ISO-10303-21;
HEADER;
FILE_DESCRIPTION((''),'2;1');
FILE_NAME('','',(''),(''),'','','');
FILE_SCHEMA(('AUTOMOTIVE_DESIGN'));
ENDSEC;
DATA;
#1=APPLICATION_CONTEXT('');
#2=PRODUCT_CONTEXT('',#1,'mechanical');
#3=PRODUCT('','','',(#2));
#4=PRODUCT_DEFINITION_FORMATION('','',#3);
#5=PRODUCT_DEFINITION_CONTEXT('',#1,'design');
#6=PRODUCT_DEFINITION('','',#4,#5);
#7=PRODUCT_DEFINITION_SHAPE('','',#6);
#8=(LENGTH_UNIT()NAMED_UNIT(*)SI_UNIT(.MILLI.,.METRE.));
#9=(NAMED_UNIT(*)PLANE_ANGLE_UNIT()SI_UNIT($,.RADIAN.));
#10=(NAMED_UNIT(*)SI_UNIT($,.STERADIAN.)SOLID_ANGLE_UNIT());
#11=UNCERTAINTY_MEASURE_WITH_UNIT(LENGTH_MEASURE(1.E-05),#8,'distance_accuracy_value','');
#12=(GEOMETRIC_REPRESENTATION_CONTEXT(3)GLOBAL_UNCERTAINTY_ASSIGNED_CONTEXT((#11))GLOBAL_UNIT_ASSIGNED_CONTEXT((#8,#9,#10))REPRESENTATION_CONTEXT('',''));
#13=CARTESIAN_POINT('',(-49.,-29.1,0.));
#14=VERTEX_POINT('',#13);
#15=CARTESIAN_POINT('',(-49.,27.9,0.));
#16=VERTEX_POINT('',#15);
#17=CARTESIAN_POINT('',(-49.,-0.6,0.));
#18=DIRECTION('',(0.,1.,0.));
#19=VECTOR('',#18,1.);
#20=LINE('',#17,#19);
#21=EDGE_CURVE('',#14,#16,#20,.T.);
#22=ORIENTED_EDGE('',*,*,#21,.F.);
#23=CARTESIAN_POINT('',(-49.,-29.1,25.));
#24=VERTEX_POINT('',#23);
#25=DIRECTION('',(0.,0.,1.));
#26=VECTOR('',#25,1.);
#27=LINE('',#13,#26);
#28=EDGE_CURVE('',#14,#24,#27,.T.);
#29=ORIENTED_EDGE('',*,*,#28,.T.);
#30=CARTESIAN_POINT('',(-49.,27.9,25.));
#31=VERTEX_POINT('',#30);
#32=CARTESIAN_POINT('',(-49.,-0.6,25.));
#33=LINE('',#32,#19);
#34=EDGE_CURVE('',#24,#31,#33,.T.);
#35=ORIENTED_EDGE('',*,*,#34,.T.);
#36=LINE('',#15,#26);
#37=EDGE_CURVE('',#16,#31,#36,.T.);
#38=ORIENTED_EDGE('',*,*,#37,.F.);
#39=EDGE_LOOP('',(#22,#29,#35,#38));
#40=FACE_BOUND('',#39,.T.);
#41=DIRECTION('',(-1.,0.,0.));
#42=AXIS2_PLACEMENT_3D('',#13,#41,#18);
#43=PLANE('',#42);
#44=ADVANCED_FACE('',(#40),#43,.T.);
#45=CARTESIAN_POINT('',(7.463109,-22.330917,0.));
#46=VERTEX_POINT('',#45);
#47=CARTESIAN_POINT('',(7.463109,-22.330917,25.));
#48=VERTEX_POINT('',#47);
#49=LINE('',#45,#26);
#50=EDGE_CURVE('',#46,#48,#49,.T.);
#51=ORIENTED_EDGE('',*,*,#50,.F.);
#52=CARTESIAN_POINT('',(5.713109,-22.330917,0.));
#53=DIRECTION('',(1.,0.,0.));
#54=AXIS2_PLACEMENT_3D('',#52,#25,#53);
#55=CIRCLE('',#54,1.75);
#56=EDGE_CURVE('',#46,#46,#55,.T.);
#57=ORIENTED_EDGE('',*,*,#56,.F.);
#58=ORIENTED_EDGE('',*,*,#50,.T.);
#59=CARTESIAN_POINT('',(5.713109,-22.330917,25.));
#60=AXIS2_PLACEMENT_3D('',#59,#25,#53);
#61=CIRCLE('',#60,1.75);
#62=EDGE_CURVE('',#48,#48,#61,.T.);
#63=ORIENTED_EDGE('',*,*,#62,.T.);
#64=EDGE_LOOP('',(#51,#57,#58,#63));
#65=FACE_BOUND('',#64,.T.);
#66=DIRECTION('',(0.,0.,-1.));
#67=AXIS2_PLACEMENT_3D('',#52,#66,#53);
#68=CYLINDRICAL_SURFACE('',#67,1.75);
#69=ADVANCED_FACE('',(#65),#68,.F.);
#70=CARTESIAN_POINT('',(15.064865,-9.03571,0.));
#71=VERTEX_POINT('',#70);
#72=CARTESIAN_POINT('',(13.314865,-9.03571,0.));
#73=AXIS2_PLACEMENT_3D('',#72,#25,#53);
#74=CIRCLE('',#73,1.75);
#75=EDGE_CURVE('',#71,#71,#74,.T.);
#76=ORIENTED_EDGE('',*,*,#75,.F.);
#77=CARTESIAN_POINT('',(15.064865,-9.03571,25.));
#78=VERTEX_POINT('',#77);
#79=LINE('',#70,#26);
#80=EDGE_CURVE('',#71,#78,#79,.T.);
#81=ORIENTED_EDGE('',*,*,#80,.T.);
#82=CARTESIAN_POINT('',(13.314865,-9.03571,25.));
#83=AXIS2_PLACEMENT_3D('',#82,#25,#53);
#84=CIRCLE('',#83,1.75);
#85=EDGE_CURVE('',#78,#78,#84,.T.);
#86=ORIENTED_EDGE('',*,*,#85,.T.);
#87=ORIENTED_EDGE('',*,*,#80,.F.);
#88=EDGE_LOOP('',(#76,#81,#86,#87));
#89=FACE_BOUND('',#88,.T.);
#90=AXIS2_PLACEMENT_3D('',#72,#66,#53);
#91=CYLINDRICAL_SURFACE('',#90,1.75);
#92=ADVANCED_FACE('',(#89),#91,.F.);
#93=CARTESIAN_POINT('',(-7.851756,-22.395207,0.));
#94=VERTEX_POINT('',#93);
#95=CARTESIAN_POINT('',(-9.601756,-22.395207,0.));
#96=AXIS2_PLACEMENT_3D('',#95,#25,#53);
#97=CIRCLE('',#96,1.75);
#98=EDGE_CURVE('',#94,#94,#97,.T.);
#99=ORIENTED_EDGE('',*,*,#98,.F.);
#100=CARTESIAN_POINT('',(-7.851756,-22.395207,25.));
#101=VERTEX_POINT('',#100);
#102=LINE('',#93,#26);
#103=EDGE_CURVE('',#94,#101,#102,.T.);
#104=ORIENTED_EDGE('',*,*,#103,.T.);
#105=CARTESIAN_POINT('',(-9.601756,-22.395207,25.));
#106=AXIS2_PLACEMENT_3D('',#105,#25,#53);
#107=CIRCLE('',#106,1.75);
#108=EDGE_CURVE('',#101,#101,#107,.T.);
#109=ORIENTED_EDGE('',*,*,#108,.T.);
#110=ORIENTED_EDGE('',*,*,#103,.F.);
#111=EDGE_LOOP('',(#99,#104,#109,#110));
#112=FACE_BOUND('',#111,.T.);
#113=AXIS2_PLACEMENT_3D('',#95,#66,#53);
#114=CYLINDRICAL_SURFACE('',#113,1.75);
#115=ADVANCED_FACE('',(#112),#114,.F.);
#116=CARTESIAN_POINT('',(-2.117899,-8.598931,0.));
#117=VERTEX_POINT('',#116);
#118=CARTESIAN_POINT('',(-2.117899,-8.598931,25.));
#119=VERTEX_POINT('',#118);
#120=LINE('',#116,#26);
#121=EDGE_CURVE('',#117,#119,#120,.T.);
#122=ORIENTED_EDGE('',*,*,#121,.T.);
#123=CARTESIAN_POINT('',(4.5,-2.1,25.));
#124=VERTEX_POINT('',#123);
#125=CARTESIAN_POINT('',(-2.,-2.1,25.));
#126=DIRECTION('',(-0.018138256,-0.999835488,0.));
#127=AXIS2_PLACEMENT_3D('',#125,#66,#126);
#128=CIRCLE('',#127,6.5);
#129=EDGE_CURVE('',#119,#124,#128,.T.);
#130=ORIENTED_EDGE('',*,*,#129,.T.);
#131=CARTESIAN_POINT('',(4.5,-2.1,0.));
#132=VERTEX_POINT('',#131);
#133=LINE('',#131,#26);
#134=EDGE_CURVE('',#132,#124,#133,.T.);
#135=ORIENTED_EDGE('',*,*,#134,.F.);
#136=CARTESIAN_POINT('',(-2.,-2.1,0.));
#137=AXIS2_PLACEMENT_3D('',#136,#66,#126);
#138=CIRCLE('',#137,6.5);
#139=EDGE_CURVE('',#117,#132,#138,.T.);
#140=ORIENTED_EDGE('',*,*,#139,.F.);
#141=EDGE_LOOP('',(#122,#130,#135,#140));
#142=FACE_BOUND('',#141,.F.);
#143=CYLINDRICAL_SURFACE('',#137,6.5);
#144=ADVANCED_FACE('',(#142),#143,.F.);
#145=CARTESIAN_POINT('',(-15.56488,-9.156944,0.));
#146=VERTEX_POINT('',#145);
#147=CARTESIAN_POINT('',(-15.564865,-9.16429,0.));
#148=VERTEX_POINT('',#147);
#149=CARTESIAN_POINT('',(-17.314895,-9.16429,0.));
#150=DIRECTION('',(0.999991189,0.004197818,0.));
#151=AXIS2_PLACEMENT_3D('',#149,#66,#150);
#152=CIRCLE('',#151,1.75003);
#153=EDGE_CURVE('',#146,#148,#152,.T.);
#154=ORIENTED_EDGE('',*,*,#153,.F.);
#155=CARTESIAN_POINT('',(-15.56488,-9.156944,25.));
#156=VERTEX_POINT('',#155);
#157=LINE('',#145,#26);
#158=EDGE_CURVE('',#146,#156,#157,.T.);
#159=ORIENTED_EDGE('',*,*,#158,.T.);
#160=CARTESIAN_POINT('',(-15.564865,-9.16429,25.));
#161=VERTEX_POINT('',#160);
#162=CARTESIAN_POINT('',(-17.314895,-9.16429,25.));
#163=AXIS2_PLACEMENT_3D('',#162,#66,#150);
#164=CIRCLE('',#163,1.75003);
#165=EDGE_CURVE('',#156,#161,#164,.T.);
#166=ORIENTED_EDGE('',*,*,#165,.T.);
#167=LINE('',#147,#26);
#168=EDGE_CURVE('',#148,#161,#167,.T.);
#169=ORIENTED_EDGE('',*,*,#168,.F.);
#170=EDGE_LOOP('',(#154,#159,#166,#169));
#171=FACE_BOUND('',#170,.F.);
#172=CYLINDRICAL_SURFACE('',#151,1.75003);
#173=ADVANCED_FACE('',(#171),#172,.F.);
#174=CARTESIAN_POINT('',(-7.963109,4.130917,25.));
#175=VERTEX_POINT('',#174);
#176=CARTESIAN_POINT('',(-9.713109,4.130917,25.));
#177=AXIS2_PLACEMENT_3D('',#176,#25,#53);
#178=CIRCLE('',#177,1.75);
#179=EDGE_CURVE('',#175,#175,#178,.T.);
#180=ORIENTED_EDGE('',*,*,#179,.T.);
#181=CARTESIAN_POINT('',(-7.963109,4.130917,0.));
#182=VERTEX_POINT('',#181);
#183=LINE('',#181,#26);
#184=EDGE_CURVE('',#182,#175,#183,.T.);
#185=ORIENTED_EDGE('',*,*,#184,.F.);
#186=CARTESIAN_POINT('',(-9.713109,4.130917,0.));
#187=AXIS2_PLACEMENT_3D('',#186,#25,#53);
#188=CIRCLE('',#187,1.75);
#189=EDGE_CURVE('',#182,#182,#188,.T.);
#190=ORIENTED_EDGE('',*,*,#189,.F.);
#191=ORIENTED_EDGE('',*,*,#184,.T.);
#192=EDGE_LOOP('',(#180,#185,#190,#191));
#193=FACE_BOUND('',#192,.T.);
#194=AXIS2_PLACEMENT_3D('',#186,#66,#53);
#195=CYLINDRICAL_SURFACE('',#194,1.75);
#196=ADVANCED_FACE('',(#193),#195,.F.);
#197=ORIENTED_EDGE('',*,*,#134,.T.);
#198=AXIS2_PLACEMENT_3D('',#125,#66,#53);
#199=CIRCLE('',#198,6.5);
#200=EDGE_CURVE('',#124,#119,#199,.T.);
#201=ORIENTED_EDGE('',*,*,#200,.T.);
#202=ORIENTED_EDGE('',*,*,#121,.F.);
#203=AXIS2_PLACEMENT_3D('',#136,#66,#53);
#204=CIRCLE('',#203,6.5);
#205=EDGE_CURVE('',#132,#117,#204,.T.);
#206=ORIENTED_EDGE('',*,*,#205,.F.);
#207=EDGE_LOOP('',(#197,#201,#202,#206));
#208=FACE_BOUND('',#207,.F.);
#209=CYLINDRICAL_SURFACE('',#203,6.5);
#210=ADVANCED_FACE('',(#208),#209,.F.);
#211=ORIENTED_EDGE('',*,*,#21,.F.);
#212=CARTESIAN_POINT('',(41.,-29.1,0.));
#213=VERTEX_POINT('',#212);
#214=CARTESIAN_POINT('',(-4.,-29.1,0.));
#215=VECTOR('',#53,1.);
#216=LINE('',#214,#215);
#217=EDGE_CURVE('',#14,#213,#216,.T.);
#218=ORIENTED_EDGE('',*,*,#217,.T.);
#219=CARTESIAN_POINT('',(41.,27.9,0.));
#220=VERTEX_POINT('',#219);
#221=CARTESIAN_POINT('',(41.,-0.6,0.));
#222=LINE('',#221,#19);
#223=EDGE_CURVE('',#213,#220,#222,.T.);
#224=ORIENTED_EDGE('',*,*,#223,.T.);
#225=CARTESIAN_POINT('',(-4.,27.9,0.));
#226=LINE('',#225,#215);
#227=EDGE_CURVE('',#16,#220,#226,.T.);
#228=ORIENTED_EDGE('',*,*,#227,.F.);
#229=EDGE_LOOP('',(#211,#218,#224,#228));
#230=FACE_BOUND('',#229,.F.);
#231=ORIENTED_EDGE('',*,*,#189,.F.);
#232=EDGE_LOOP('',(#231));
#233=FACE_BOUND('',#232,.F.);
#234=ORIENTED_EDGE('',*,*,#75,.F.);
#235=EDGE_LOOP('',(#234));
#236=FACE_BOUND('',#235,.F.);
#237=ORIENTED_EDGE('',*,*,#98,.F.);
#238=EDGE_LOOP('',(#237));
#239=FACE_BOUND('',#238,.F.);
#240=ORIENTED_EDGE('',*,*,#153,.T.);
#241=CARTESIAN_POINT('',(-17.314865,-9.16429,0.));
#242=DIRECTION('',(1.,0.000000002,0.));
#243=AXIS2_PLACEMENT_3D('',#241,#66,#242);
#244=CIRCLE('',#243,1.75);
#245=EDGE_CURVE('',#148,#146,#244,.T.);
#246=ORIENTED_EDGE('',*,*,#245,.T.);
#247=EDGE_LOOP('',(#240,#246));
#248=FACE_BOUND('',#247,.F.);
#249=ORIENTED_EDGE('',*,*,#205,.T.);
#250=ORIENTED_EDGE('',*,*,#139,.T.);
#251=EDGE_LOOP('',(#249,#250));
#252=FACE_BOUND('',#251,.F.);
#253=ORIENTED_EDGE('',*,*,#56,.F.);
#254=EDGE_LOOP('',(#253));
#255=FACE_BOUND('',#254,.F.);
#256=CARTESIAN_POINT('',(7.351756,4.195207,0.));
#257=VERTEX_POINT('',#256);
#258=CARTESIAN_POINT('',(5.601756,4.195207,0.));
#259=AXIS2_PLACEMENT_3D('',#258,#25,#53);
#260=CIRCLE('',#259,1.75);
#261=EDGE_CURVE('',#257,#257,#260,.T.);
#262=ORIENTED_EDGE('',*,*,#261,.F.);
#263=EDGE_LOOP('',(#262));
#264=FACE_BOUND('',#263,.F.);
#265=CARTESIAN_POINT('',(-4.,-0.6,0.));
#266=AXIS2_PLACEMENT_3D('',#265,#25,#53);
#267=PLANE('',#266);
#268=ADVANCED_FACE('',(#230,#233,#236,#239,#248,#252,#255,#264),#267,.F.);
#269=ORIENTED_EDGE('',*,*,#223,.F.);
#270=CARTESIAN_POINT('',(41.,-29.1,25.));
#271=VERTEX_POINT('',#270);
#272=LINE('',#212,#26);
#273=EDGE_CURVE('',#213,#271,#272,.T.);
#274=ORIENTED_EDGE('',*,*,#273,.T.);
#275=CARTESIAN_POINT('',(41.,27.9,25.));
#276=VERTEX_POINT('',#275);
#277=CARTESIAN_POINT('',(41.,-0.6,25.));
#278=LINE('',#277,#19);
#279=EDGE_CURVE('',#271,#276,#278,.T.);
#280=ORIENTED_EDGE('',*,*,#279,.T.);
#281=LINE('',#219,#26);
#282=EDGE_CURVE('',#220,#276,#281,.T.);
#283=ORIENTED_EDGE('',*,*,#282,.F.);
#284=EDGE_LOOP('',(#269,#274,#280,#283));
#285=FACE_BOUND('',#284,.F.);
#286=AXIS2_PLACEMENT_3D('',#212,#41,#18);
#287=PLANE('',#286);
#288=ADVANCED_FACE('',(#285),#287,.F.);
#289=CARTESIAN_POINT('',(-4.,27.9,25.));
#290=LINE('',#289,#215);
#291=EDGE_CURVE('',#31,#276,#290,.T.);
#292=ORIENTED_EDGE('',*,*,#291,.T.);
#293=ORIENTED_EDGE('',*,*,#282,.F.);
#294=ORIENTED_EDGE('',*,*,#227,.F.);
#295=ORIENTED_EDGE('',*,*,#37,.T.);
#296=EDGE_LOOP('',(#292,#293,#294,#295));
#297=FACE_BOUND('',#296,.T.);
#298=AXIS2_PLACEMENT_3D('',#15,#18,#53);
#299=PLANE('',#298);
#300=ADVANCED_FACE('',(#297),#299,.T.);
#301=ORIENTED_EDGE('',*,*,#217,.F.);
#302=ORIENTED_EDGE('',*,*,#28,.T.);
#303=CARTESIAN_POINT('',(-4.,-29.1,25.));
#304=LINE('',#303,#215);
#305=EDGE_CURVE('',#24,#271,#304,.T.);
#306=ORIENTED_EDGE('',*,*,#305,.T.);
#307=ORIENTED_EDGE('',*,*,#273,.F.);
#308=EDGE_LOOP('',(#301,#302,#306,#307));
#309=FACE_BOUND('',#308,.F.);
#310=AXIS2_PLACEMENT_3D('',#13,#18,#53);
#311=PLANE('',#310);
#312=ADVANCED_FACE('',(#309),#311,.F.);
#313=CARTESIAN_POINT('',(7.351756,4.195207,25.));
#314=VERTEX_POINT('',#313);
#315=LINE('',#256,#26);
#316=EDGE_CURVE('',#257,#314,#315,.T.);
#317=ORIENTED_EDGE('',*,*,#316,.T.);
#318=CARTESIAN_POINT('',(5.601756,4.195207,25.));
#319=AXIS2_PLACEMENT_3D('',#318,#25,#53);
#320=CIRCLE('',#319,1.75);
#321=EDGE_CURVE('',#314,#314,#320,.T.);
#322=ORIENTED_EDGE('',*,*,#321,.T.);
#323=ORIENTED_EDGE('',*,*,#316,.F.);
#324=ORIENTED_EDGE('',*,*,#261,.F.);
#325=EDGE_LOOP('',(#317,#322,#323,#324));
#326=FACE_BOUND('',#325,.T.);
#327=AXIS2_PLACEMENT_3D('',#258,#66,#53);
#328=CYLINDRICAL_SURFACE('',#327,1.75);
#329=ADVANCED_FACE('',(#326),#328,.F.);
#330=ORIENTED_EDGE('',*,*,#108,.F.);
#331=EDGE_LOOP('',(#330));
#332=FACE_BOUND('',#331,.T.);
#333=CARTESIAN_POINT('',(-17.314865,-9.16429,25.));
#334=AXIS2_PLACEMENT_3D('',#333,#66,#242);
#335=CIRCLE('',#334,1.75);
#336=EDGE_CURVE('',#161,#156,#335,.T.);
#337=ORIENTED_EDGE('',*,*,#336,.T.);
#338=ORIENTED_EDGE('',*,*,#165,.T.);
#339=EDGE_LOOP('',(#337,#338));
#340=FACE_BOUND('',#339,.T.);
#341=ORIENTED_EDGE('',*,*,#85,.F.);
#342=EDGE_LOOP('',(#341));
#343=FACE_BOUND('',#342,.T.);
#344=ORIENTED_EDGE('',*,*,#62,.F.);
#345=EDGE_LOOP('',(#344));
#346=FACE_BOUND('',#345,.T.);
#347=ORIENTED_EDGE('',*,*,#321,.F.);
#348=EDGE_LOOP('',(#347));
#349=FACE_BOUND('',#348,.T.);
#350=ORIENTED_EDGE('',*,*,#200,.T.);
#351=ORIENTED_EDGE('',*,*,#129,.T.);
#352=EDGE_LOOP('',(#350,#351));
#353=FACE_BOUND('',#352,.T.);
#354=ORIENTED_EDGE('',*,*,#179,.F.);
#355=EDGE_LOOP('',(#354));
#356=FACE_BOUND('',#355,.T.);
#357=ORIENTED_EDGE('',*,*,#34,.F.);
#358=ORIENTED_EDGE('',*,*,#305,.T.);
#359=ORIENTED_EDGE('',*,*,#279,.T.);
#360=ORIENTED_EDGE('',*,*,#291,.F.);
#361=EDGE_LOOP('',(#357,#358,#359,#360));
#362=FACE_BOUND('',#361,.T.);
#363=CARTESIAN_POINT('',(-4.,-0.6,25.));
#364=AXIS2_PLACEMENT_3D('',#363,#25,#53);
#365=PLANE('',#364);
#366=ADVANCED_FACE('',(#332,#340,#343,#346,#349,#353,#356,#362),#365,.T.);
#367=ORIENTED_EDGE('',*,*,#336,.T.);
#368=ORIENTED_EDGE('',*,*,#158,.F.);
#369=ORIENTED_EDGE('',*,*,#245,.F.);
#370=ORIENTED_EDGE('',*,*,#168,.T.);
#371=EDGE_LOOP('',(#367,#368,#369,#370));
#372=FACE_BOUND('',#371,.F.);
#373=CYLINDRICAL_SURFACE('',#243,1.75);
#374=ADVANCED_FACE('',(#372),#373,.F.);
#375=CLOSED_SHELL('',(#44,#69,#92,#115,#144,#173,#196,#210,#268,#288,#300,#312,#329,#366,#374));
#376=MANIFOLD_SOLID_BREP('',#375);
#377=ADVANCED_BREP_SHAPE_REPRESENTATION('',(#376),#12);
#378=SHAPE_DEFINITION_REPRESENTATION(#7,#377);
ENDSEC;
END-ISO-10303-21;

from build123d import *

# Parameters (mm, degrees)
F0_W     = 90
F0_H     = 57
F0_R     = 1.75
F1_DEPTH = 25


with BuildPart() as f1:
    # F0 (on Top) → F1 (new body)
    with BuildSketch(Plane.XY):
        with Locations((-4, -0.6)):
            Rectangle(F0_W, F0_H)
        with Locations((-9.6017556655, -22.3952072493)):
            Circle(F0_R, mode=Mode.SUBTRACT)
        with BuildLine():
            ThreePointArc((-15.5648804785, -9.1569438638), (-15.5648689141, -9.1606169763), (-15.5648650592, -9.164290105))
            ThreePointArc((-15.5648650592, -9.164290105), (-19.0648612044, -9.1679632337), (-15.5648804785, -9.1569438638))
        make_face(mode=Mode.SUBTRACT)
        with Locations((5.7131093938, -22.3309171443)):
            Circle(F0_R, mode=Mode.SUBTRACT)
        with Locations((13.3148650592, -9.035709895)):
            Circle(F0_R, mode=Mode.SUBTRACT)
        with BuildLine():
            ThreePointArc((4.5, -2.1), (2.5543198547, -6.7376902291), (-2.117898665, -8.5989306739))
            ThreePointArc((-2.117898665, -8.5989306739), (-6.5543198547, 2.5376902291), (4.5, -2.1))
        make_face(mode=Mode.SUBTRACT)
        with Locations((-9.7131093938, 4.1309171443)):
            Circle(F0_R, mode=Mode.SUBTRACT)
        with Locations((5.6017556655, 4.1952072493)):
            Circle(F0_R, mode=Mode.SUBTRACT)
    extrude(amount=F1_DEPTH)


solid = f1.part
